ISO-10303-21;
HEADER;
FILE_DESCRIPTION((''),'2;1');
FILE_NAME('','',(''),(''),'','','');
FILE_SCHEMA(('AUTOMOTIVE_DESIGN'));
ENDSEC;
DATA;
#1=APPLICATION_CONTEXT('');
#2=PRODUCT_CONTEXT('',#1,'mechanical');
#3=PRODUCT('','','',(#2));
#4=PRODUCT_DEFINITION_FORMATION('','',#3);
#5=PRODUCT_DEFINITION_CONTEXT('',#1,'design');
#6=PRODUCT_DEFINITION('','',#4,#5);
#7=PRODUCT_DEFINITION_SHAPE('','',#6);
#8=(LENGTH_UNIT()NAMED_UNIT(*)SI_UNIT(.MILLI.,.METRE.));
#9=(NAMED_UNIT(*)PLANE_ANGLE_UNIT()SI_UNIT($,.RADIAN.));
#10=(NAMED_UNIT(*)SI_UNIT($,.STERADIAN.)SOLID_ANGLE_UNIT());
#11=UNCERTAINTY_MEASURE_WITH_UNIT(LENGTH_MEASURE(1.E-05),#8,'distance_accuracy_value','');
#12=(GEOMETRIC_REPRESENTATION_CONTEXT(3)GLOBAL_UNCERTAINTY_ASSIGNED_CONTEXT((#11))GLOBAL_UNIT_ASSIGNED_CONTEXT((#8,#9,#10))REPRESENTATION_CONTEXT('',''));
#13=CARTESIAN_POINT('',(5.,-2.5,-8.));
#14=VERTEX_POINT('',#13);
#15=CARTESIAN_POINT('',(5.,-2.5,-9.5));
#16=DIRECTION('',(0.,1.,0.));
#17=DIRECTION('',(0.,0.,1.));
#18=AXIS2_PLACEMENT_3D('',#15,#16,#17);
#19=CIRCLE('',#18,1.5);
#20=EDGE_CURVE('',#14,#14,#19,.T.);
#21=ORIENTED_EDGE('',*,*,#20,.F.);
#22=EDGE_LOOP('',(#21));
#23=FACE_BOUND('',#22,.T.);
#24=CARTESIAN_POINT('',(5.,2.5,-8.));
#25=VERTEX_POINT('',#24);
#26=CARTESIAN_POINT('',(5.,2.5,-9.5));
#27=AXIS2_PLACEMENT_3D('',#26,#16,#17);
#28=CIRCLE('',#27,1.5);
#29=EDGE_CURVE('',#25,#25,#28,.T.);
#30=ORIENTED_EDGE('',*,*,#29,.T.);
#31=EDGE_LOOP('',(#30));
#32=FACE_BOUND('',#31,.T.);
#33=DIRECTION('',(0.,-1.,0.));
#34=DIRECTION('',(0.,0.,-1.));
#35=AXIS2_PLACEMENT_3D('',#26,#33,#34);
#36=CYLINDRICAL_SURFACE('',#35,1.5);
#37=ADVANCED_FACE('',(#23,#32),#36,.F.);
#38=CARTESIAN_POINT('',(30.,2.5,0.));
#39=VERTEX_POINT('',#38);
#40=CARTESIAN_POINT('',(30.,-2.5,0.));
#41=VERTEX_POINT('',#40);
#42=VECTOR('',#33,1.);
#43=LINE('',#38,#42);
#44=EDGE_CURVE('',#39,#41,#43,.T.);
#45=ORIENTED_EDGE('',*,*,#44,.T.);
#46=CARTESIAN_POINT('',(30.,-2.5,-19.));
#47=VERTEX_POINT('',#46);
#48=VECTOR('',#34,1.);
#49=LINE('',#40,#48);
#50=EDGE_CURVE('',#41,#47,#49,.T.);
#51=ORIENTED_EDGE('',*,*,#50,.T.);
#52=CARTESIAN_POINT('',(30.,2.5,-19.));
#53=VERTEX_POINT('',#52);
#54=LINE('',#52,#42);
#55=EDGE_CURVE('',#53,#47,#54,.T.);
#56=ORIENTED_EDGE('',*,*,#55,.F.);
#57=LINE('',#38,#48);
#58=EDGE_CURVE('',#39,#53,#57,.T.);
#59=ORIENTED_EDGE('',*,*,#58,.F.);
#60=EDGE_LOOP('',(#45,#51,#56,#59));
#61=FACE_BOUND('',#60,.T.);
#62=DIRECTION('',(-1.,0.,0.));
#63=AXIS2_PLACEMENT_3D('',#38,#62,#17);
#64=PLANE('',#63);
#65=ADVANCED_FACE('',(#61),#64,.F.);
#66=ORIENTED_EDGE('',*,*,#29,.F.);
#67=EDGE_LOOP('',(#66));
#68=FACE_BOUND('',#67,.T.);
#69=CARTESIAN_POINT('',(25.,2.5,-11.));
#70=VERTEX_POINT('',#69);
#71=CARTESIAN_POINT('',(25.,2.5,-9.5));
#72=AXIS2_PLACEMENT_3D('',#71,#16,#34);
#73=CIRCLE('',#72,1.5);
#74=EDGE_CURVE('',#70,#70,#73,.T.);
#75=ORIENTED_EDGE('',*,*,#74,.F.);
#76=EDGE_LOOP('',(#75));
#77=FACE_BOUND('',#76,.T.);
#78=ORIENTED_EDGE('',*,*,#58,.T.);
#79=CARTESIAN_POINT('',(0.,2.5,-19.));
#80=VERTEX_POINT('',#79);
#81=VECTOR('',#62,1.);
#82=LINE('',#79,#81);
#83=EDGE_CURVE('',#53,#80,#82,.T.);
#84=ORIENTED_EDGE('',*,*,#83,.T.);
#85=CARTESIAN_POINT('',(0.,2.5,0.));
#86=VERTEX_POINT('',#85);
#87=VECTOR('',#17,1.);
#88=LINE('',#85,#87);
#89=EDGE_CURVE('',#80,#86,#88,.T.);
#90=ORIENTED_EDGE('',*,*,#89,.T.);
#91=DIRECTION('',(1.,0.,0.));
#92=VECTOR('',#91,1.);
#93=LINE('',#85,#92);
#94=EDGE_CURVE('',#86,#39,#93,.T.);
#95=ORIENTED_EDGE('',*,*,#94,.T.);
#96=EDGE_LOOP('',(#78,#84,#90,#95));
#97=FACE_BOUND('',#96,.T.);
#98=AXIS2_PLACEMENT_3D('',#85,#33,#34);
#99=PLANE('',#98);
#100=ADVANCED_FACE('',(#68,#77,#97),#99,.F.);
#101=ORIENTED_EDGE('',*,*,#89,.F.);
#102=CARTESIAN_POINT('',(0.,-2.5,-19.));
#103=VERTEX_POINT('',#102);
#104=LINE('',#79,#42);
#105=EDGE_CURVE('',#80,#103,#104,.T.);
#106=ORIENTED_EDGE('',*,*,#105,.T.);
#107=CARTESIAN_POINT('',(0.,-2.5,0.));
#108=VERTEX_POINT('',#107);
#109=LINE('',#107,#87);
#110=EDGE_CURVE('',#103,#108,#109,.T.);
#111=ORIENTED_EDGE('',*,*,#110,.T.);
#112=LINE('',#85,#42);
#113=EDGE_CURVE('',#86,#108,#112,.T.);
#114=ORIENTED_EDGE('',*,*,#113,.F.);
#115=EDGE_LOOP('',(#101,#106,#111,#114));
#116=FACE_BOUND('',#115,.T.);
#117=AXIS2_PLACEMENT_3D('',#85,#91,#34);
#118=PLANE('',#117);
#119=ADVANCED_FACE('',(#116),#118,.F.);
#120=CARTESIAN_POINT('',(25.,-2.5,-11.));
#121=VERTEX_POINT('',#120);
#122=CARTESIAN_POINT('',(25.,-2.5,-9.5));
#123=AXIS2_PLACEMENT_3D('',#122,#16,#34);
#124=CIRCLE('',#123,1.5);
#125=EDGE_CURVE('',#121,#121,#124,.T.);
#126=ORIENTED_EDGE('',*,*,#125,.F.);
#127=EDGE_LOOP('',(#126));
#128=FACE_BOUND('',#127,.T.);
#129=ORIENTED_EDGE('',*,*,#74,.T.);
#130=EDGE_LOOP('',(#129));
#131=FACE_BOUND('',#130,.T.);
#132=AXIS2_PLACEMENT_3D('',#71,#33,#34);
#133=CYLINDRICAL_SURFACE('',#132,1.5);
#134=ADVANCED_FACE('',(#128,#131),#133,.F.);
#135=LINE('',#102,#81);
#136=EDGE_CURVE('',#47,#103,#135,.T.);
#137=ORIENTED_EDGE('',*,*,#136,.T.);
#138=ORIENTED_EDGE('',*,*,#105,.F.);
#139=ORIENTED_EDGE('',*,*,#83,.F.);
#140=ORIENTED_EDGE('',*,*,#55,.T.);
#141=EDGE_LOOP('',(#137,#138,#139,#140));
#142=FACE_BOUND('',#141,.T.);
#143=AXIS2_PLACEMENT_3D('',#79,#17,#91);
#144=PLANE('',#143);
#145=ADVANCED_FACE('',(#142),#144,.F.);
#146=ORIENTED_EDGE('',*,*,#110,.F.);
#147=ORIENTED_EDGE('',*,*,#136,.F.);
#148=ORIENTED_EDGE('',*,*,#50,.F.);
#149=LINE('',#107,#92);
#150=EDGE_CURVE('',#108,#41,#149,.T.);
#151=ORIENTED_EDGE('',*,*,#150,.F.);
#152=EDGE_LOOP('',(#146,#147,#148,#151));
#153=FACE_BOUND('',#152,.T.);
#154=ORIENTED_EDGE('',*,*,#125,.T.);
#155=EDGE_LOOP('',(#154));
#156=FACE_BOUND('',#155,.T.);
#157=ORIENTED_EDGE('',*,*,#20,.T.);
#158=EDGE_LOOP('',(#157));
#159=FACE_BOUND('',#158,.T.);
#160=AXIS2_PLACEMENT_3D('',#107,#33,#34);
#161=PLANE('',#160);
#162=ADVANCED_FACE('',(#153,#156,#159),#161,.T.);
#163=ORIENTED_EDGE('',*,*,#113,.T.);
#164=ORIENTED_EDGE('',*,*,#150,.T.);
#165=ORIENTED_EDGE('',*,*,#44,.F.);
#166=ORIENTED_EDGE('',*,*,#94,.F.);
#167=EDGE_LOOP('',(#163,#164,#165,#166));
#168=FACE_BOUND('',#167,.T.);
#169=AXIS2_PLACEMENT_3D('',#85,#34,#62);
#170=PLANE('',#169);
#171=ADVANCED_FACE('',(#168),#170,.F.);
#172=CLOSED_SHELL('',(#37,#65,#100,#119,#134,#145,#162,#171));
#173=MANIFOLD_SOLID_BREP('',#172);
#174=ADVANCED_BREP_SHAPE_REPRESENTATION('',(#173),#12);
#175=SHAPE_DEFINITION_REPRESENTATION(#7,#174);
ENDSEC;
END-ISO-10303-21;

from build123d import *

# Parameters (mm, degrees)
SKETCH1_W           = 30
SKETCH1_H           = 19
SKETCH1_R           = 1.5
BOSS_EXTRUDE1_DEPTH = 2.5


with BuildPart() as part:
    # Sketch1 → Boss-Extrude1 (new, symmetric)
    with BuildSketch(Plane(origin=(0, 0, 0), x_dir=(1, 0, 0), z_dir=(0, 1, 0))):
        with Locations((15, 9.5)):
            Rectangle(SKETCH1_W, SKETCH1_H)
        with Locations(Location((5, 9.5, 0), (0, 0, 270))):
            Circle(SKETCH1_R, mode=Mode.SUBTRACT)
        with Locations(Location((25, 9.5, 0), (0, 0, 90))):
            Circle(SKETCH1_R, mode=Mode.SUBTRACT)
    extrude(amount=BOSS_EXTRUDE1_DEPTH, both=True)


solid = part.part
